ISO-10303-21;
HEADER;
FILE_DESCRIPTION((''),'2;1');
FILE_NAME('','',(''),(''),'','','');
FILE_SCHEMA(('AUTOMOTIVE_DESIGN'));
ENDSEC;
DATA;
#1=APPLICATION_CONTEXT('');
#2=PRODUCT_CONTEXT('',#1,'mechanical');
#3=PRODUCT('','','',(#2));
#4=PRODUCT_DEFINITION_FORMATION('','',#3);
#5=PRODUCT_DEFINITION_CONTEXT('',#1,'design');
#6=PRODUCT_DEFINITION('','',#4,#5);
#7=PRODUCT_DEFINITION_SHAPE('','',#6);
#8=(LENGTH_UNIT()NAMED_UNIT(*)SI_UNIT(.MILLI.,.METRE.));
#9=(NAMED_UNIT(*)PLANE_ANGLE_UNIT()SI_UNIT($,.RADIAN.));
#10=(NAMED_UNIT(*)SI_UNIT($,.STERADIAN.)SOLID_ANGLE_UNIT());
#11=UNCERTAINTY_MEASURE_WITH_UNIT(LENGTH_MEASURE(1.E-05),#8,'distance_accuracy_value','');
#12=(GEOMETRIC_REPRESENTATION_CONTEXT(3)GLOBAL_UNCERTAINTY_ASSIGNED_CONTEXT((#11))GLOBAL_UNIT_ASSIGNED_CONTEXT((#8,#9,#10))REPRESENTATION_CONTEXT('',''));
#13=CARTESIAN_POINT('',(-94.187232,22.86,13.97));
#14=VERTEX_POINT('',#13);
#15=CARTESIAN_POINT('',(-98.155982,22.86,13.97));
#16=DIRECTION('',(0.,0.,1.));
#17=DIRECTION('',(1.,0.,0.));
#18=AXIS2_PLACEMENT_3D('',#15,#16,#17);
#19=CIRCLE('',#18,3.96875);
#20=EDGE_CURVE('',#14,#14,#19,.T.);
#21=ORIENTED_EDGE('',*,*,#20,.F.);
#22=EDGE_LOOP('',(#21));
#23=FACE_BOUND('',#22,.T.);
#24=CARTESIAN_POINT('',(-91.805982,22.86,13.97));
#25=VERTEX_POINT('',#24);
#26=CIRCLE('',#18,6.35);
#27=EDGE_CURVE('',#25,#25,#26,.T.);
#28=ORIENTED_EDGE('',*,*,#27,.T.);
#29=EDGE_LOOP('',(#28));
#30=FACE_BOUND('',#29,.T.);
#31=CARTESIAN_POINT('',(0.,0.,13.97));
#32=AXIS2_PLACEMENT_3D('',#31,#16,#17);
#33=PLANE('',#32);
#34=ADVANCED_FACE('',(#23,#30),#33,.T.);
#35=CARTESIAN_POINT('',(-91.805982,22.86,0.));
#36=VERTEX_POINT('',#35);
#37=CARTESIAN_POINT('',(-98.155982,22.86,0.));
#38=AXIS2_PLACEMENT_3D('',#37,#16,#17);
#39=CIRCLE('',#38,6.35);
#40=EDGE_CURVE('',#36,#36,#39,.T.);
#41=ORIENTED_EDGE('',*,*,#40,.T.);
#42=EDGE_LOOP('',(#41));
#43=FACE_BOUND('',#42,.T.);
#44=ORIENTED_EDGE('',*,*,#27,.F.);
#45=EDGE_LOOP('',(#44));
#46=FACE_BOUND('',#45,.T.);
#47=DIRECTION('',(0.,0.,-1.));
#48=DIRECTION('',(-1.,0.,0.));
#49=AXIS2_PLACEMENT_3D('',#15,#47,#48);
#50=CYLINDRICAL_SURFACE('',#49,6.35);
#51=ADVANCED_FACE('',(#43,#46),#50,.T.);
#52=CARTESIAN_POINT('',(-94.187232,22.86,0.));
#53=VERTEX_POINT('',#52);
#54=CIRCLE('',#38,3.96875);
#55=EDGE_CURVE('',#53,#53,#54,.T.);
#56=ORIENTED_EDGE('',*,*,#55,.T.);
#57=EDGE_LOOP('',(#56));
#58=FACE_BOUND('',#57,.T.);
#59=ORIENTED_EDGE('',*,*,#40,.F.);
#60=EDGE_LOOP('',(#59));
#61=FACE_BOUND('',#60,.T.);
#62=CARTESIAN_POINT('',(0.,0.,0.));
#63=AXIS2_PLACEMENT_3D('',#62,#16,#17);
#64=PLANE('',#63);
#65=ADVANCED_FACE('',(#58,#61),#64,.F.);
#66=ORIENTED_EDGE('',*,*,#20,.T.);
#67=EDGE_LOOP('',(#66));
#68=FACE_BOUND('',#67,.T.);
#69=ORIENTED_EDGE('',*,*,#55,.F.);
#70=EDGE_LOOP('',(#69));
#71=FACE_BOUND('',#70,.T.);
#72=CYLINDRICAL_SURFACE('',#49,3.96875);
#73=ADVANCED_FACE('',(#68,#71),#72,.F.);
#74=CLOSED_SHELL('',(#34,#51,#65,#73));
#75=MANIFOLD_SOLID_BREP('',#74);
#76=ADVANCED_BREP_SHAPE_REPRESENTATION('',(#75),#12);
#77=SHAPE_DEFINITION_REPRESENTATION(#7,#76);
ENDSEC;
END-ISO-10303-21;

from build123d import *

# Parameters (mm, degrees)
SKETCH1_R           = 6.35
SKETCH1_R_2         = 3.96875
BOSS_EXTRUDE1_DEPTH = 13.97


with BuildPart() as part:
    # Sketch1 → Boss-Extrude1 (new body)
    with BuildSketch(Plane.XY):
        with Locations((-98.155981729, 22.86)):
            Circle(SKETCH1_R)
        with Locations((-98.155981729, 22.86)):
            Circle(SKETCH1_R_2, mode=Mode.SUBTRACT)
    extrude(amount=BOSS_EXTRUDE1_DEPTH)


solid = part.part
